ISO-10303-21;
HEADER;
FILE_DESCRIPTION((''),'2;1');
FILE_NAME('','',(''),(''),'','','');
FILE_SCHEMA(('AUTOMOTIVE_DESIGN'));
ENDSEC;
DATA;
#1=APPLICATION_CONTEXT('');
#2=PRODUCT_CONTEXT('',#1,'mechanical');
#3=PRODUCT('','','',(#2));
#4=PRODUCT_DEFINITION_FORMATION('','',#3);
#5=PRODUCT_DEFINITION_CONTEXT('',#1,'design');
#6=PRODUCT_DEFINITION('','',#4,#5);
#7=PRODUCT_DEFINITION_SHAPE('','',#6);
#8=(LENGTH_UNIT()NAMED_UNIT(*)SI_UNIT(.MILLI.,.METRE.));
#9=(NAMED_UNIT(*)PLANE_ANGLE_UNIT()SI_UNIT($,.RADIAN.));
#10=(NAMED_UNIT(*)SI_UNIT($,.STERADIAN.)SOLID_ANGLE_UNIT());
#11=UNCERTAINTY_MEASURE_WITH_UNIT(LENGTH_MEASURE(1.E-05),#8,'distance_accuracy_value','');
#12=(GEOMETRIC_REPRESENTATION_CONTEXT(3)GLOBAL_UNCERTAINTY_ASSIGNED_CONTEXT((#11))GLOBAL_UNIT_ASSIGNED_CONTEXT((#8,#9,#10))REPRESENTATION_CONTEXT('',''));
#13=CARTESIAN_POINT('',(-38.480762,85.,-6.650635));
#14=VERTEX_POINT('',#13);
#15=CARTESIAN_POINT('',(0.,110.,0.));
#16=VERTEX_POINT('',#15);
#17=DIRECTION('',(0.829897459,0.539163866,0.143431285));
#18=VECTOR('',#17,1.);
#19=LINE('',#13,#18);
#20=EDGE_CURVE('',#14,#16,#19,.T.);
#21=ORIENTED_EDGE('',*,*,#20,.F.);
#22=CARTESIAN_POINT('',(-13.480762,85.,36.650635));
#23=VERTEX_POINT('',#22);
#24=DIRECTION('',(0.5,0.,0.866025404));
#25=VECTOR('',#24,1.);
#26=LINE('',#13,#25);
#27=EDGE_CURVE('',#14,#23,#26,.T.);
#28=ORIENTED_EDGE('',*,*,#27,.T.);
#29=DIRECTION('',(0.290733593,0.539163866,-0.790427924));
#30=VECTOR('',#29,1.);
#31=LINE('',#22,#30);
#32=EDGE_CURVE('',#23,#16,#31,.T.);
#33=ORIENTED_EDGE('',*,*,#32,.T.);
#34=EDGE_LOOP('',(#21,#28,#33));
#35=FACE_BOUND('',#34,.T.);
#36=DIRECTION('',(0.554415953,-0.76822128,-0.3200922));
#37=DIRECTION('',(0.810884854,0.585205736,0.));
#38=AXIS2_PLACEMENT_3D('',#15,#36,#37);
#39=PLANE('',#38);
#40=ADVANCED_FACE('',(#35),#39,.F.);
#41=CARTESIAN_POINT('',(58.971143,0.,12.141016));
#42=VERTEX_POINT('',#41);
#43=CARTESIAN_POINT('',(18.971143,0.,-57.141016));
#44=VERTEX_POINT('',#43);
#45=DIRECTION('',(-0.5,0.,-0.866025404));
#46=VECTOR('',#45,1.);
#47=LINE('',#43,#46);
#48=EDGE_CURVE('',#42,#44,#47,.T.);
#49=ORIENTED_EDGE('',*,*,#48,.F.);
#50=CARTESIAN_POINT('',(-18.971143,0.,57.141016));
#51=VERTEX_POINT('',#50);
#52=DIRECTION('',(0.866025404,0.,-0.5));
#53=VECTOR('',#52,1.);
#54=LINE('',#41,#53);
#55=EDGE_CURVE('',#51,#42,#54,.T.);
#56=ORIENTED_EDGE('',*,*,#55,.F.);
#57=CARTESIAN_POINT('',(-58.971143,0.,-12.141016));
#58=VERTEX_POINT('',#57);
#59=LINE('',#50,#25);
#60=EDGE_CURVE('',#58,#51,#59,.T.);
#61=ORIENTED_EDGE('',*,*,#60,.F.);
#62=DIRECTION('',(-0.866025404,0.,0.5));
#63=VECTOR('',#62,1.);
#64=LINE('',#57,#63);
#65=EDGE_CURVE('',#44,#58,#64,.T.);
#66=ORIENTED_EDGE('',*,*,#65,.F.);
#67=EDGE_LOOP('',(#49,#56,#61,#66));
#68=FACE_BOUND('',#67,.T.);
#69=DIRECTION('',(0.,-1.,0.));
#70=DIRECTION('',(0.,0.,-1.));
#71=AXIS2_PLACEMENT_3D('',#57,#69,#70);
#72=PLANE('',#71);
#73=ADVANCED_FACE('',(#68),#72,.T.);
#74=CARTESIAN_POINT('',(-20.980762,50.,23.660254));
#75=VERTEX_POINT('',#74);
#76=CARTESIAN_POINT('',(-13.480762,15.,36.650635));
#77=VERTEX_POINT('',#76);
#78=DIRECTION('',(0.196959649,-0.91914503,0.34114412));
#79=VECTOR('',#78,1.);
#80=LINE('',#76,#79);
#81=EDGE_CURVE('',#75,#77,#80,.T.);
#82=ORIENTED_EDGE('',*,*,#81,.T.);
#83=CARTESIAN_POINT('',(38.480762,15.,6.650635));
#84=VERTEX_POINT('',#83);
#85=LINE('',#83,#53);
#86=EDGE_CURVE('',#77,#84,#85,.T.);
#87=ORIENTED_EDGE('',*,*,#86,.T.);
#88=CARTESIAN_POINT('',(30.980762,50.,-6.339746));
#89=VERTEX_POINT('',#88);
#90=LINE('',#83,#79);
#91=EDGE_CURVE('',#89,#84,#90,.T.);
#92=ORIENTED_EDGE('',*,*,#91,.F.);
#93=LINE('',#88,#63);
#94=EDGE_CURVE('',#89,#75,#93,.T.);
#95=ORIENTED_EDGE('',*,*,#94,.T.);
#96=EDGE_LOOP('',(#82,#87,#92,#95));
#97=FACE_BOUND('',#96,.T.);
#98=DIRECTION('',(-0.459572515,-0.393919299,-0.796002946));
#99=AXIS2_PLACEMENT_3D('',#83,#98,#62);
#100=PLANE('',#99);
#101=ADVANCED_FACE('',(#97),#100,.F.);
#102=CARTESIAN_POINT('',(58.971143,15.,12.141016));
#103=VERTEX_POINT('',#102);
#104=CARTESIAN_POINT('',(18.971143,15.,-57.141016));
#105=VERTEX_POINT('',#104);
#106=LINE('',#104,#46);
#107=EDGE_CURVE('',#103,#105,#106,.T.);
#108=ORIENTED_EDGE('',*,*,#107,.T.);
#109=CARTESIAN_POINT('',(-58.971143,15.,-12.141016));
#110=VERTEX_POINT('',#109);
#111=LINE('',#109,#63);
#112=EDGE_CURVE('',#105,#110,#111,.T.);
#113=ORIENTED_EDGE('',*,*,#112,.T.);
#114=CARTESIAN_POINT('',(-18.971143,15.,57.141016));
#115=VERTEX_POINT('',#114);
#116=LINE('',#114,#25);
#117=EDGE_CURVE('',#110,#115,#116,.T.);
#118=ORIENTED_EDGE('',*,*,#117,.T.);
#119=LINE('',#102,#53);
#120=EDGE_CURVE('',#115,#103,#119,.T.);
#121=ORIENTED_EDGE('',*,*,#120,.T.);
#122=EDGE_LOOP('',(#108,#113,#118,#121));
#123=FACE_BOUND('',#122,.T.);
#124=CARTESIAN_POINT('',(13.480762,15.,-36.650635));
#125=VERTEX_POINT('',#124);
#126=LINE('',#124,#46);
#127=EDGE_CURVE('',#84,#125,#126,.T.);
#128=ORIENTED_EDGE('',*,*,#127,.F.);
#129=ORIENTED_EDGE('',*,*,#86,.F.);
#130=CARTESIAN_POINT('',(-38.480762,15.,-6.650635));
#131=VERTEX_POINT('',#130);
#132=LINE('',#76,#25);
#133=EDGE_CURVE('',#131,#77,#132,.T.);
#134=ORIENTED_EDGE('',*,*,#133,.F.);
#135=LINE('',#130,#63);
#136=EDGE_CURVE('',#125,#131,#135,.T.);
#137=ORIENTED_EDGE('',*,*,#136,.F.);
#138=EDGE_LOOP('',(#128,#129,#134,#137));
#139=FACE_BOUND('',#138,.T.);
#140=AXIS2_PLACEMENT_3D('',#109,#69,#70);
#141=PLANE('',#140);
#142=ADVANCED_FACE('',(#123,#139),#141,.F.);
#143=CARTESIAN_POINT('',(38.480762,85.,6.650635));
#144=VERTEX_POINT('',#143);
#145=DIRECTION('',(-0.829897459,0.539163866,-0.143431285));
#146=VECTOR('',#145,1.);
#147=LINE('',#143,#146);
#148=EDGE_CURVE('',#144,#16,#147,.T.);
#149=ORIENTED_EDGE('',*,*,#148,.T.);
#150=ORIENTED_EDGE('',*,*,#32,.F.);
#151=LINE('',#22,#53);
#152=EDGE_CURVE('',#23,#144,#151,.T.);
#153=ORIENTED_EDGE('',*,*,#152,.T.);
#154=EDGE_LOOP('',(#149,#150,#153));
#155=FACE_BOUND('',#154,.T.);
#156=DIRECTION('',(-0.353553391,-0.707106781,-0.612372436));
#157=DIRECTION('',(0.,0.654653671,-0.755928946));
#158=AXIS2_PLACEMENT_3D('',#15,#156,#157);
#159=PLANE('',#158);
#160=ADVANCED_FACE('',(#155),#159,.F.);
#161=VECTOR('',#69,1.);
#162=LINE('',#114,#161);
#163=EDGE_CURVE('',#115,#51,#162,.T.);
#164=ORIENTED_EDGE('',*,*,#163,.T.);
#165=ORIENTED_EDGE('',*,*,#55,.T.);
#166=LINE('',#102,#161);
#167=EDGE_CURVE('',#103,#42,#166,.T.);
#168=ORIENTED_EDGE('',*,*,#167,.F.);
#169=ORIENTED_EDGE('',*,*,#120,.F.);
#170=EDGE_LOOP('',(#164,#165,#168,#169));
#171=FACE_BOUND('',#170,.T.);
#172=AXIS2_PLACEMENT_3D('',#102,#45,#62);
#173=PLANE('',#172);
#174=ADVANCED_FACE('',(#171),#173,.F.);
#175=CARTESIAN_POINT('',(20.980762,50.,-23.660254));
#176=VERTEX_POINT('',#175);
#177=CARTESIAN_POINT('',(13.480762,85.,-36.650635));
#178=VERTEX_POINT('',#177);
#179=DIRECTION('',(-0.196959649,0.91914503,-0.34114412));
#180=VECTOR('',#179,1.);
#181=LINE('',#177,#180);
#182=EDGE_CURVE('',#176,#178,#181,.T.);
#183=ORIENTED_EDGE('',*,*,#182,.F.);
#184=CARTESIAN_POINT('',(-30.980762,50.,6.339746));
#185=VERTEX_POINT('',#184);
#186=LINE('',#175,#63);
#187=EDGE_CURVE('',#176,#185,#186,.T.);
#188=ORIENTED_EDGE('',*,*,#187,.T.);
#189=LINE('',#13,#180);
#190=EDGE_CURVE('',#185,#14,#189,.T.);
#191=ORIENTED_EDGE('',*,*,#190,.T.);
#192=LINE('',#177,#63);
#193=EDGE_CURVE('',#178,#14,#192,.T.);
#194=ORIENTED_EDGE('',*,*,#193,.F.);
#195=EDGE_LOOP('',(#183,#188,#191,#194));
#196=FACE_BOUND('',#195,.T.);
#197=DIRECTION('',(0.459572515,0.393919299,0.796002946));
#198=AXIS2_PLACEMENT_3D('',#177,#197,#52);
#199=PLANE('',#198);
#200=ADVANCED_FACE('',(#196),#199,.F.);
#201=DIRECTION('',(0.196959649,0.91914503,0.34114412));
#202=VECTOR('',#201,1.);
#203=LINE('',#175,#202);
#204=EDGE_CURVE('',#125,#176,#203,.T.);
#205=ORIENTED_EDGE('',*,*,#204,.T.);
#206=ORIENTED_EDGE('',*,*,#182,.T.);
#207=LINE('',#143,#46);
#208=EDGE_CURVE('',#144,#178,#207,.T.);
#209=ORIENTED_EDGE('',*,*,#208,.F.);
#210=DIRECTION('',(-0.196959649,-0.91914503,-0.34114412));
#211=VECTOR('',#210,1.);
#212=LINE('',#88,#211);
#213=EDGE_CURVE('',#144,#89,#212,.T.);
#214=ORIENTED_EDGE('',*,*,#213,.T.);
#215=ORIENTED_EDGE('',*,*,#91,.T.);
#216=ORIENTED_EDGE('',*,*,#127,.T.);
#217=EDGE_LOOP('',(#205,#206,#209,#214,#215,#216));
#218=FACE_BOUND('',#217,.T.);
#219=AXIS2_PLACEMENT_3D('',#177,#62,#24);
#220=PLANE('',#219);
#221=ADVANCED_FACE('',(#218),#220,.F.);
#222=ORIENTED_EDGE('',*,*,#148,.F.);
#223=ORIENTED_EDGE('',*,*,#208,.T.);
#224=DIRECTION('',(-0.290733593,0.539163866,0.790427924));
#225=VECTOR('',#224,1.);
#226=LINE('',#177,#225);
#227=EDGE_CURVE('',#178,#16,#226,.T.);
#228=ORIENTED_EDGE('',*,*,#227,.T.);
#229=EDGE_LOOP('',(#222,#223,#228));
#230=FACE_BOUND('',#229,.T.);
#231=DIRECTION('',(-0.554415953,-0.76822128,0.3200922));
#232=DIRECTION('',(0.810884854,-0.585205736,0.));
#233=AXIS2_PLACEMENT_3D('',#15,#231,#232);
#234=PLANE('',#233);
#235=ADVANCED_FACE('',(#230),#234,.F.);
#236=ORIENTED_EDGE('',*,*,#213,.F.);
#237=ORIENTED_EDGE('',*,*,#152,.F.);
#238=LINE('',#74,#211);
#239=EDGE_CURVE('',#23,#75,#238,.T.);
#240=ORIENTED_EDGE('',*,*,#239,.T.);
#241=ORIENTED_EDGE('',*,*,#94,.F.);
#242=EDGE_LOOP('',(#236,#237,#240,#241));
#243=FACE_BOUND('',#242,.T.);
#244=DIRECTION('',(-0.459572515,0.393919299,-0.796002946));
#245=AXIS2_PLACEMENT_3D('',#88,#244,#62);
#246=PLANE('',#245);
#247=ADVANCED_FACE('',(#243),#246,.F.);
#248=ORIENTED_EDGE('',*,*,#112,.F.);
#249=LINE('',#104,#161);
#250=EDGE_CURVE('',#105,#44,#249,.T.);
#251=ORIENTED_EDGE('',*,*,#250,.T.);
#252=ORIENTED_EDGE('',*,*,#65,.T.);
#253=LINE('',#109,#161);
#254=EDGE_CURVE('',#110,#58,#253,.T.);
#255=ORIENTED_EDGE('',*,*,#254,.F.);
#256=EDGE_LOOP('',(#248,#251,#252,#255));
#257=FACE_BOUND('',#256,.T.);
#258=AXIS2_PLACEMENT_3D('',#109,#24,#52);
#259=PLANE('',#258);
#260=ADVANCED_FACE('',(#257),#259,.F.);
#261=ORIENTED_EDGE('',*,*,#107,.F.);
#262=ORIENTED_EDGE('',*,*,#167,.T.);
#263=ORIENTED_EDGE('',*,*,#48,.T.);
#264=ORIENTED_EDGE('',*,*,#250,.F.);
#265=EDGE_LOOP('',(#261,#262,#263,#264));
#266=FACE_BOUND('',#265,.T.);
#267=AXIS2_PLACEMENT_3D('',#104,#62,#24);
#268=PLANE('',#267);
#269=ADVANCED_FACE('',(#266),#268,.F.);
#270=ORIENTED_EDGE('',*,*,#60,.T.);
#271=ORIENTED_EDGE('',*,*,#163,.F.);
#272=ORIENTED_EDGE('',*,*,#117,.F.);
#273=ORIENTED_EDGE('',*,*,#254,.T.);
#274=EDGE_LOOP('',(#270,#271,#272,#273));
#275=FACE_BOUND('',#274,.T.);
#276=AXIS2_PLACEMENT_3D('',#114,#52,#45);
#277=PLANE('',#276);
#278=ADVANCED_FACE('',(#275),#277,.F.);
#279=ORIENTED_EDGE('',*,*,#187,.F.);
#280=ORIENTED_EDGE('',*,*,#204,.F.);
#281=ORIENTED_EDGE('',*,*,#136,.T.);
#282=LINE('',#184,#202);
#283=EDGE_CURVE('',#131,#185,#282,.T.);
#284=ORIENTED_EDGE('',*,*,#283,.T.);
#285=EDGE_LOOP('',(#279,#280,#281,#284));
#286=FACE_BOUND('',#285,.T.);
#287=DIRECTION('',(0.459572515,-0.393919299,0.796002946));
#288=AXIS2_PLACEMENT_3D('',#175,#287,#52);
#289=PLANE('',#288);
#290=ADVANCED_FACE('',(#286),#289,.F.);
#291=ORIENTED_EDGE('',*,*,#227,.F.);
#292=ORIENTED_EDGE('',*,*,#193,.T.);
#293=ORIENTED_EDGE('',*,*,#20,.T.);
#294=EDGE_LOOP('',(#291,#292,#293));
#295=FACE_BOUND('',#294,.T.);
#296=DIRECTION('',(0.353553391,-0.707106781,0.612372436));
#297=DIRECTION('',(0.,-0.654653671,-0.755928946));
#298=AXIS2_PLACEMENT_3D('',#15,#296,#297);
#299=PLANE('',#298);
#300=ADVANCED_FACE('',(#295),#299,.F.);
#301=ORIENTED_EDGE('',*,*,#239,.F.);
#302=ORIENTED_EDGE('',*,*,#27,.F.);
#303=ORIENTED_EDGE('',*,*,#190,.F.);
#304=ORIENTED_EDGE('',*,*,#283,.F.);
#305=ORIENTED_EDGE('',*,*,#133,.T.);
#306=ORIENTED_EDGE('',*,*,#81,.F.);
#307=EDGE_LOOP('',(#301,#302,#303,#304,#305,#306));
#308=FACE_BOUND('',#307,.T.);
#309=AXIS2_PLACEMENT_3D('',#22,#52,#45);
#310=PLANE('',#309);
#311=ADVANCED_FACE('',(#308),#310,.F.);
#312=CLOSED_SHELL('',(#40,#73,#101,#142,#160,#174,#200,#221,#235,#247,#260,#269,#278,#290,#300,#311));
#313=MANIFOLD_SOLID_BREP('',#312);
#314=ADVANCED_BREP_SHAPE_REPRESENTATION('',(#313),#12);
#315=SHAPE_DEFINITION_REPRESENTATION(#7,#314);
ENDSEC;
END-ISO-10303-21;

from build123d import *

# Parameters (mm, degrees)
EXTRUDE1_DEPTH     = 15
EXTRUDE2_DEPTH     = 70
CUT_EXTRUDE1_DEPTH = 60


with BuildPart() as part:
    # Sketch1 → Extrude1 (new body)
    with BuildSketch(Plane(origin=(0, 0, 0), x_dir=(1, 0, 0), z_dir=(0, 1, 0))):
        Polygon((-58.97114317, 12.141016151), (18.97114317, 57.141016151), (58.97114317, -12.141016151), (-18.97114317, -57.141016151), align=None)
    extrude(amount=EXTRUDE1_DEPTH)

    # Sketch2 → Extrude2 (add)
    with BuildSketch(Plane(origin=(0, 15, 0), x_dir=(-1, 0, 0), z_dir=(0, 1, 0))):
        Polygon((38.480762114, -6.650635095), (-13.480762114, -36.650635095), (-38.480762114, 6.650635095), (13.480762114, 36.650635095), align=None)
    extrude(amount=EXTRUDE2_DEPTH)

    # Sketch3 → Cut-Extrude1 (cut)
    with BuildSketch(Plane(origin=(-25.980762114, 0, 15), x_dir=(0.5, 0, 0.866025404), z_dir=(-0.866025404, 0, 0.5))):
        Polygon((-25, 15), (-25, 85), (-10, 50), align=None)
        Polygon((25, 85), (25, 15), (10, 50), align=None)
    extrude(amount=-CUT_EXTRUDE1_DEPTH, mode=Mode.SUBTRACT)

    # Sketch4 → Loft1 section 0
    with BuildSketch(Plane(origin=(0, 85, 0), x_dir=(-1, 0, 0), z_dir=(0, 1, 0)), mode=Mode.PRIVATE) as loft1_s0:
        Polygon((38.480762114, -6.650635095), (-13.480762114, -36.650635095), (-38.480762114, 6.650635095), (13.480762114, 36.650635095), align=None)
    loft([loft1_s0.sketch, Vertex(0, 110, 0)])


solid = part.part
